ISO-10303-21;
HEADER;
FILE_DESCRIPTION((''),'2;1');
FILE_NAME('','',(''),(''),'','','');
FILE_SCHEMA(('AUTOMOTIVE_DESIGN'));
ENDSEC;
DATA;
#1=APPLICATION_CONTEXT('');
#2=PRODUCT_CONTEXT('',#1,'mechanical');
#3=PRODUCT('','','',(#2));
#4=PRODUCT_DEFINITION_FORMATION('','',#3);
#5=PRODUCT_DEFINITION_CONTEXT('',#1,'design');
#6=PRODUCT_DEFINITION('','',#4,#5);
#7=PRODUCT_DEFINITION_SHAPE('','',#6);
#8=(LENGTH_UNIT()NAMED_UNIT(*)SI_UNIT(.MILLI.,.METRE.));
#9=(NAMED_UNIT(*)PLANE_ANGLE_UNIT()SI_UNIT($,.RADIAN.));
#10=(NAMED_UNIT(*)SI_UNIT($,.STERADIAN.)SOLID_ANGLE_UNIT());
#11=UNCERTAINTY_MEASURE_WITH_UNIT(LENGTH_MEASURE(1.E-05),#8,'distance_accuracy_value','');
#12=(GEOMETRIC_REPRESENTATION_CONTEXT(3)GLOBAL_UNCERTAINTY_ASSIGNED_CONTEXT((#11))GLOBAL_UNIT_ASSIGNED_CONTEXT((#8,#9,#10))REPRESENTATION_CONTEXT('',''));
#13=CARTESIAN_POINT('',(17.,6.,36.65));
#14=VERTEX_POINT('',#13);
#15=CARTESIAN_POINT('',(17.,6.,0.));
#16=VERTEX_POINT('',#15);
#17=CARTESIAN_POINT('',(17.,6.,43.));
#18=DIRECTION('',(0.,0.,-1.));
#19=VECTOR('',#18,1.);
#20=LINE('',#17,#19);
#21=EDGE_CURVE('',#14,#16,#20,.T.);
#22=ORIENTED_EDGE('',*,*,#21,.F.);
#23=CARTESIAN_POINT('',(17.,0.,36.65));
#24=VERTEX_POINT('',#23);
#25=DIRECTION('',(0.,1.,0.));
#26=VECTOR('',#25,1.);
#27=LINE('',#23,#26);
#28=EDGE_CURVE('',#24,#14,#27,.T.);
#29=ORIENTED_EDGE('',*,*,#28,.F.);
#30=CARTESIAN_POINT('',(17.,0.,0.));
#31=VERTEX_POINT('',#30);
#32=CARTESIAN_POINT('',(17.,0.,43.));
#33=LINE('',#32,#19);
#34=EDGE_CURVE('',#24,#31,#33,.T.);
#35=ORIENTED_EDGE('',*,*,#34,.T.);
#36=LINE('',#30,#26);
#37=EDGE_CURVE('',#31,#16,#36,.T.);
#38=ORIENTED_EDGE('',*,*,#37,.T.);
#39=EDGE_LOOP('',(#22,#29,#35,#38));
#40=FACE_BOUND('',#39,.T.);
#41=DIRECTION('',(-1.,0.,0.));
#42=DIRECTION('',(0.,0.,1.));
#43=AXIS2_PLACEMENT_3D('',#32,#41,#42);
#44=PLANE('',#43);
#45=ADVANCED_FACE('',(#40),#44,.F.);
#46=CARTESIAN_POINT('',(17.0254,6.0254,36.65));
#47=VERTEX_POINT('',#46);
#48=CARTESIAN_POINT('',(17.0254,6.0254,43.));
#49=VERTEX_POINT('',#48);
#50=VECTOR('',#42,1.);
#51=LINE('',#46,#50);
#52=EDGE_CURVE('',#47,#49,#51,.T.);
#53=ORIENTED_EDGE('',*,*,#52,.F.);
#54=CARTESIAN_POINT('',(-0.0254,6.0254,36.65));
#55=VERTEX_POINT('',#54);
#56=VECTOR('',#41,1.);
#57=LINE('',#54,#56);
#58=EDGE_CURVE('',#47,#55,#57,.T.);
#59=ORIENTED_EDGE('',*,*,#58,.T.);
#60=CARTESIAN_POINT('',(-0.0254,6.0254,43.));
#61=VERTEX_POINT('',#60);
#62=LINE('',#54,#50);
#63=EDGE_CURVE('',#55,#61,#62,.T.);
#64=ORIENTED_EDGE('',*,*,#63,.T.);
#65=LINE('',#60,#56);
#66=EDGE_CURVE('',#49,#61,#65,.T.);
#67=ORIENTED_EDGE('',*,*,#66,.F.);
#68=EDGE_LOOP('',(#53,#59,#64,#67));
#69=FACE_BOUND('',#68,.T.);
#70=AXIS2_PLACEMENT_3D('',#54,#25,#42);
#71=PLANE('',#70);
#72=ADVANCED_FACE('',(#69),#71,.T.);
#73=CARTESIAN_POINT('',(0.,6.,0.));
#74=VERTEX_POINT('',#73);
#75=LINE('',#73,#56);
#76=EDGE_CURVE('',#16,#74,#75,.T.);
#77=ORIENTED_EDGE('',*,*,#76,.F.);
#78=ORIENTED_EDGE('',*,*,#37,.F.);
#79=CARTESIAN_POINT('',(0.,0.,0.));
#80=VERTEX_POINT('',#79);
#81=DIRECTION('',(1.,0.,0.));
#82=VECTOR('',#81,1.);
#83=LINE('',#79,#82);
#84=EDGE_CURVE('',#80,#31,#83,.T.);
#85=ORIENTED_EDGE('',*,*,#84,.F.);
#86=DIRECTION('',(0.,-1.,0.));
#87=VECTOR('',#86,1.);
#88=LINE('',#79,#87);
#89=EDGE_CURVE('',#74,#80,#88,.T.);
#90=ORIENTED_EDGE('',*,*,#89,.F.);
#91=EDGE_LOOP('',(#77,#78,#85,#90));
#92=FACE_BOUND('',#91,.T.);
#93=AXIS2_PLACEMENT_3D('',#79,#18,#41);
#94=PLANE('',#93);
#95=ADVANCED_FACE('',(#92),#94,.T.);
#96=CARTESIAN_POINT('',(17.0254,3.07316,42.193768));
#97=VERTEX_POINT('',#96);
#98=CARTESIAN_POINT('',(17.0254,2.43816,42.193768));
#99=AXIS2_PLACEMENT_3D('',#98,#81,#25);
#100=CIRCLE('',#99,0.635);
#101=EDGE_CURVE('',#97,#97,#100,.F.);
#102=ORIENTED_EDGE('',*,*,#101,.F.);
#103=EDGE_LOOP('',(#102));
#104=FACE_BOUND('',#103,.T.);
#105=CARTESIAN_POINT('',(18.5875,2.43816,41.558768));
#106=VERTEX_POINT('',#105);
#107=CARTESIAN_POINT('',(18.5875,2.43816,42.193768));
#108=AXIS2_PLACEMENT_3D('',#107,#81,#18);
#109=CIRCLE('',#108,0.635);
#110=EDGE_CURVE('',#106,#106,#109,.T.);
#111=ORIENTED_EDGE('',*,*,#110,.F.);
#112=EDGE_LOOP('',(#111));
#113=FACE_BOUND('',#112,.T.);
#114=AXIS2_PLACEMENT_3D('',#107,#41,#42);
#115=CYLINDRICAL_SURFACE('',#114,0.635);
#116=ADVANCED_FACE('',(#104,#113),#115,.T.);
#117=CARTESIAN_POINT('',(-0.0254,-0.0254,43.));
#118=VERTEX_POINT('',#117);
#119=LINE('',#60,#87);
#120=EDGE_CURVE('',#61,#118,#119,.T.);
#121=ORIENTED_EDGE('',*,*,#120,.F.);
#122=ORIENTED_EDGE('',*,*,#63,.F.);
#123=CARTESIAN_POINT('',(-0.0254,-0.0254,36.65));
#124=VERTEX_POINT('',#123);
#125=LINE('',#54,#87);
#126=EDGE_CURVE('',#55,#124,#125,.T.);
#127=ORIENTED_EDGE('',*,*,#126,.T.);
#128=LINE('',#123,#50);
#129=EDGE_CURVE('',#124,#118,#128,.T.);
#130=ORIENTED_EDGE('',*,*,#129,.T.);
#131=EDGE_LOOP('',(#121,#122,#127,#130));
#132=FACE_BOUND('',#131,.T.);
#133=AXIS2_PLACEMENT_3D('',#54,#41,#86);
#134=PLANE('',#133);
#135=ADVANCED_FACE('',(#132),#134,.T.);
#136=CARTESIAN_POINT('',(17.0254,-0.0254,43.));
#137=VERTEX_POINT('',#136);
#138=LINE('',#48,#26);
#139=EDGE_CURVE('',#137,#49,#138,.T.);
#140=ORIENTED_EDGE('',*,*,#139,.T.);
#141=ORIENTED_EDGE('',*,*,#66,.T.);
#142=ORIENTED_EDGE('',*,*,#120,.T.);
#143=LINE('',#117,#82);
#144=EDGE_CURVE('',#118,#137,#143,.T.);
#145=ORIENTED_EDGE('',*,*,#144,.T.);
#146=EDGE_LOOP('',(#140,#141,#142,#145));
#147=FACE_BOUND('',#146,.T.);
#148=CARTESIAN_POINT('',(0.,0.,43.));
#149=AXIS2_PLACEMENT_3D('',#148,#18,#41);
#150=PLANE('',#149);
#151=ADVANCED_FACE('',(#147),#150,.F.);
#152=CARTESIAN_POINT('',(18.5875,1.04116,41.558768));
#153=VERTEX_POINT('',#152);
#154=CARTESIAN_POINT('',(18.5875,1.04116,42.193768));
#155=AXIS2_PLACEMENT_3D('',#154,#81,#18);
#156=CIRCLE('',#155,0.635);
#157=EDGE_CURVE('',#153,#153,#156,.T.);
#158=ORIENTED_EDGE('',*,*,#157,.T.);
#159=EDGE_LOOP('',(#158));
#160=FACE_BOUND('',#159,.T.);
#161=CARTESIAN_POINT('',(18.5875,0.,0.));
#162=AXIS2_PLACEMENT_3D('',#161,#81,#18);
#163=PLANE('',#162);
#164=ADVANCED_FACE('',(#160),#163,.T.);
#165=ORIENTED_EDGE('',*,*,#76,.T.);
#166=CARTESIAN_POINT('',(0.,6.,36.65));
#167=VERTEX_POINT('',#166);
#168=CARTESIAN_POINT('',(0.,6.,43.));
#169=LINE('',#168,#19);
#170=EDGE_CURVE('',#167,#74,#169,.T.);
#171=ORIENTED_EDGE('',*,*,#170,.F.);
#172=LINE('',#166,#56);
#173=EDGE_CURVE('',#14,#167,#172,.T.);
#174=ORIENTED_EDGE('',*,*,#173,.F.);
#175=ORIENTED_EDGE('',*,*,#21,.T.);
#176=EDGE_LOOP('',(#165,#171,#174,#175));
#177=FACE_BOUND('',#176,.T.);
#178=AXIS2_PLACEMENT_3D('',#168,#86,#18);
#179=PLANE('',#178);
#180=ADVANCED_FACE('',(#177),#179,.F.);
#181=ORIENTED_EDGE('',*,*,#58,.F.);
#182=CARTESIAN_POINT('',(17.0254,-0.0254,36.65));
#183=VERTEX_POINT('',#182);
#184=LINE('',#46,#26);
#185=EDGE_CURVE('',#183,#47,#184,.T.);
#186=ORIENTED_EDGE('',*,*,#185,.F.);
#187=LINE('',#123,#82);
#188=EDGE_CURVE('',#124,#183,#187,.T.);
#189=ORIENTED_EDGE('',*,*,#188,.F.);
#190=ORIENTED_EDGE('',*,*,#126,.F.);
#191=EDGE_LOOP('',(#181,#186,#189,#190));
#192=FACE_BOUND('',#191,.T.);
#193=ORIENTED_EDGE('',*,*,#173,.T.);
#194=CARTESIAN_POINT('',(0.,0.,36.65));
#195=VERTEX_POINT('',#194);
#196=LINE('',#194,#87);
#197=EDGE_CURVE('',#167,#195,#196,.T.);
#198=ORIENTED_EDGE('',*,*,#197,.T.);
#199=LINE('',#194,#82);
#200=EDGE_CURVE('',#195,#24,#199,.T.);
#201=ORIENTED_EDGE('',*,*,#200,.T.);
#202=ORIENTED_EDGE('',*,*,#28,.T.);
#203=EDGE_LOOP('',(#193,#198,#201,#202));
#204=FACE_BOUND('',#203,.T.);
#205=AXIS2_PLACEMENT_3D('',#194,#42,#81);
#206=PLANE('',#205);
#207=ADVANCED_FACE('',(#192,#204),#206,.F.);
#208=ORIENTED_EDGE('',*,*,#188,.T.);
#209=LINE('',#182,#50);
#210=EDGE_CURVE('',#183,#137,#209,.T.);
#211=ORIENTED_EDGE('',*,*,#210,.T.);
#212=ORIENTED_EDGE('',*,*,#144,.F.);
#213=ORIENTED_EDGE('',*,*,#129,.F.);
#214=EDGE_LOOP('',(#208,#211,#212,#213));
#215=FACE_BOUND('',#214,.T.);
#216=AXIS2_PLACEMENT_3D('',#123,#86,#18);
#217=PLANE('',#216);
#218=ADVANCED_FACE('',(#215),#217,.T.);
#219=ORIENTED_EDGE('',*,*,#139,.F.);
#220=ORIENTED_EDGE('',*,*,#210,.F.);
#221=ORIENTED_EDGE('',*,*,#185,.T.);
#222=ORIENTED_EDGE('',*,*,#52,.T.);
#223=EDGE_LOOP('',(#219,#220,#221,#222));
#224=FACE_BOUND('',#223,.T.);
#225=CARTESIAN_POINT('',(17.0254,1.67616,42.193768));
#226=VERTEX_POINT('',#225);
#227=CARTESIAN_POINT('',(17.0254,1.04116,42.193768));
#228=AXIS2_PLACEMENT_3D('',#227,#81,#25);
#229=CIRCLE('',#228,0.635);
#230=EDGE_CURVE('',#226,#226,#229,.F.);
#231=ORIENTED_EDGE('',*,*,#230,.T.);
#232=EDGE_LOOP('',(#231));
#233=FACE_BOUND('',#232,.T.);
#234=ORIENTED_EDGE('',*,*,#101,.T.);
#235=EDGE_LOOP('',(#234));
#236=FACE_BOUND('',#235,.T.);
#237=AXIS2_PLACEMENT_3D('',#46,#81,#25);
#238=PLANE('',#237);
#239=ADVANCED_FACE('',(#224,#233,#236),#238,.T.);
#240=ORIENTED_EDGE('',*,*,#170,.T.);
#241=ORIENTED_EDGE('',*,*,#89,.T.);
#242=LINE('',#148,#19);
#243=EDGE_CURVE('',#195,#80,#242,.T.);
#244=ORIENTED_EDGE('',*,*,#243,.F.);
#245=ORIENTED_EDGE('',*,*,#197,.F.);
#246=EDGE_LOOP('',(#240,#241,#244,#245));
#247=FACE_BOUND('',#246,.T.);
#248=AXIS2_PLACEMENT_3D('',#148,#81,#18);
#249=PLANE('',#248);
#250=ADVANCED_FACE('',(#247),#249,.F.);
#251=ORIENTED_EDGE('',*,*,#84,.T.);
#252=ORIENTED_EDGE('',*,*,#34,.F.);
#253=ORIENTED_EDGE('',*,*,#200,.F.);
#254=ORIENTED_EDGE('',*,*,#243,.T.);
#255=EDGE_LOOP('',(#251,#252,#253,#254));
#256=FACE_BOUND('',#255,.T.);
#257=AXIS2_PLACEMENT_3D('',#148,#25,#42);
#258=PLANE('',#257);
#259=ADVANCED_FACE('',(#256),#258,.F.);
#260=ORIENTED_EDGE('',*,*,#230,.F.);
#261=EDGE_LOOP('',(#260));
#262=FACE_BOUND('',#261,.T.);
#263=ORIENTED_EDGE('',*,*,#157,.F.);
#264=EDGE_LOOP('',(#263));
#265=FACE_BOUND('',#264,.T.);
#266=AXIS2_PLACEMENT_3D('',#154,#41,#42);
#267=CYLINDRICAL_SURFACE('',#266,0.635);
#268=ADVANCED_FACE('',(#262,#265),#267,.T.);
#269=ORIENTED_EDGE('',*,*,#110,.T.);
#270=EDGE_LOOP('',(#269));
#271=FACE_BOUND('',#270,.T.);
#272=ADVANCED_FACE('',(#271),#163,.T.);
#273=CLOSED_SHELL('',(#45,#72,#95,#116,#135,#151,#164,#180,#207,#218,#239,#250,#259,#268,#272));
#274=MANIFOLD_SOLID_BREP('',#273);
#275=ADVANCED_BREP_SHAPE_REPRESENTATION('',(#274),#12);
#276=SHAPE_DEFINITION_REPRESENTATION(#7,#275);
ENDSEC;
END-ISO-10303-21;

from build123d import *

# Parameters (mm, degrees)
SKETCH1_W           = 17
SKETCH1_H           = 6
BOSS_EXTRUDE1_DEPTH = 43
SKETCH3_W           = 17.0508
SKETCH3_H           = 6.0508
BOSS_EXTRUDE2_DEPTH = 6.35
SKETCH4_R           = 0.635
BOSS_EXTRUDE4_DEPTH = 1.5875


with BuildPart() as part:
    # Sketch1 → Boss-Extrude1 (new body)
    with BuildSketch(Plane.XY):
        with Locations((8.5, 3)):
            Rectangle(SKETCH1_W, SKETCH1_H)
    extrude(amount=BOSS_EXTRUDE1_DEPTH)

    # Sketch3 → Boss-Extrude2 (add)
    with BuildSketch(Plane.XY.offset(43)):
        with Locations((8.5, 3)):
            Rectangle(SKETCH3_W, SKETCH3_H)
    extrude(amount=-BOSS_EXTRUDE2_DEPTH)

    # Sketch4 → Boss-Extrude4 (add)
    with BuildSketch(Plane(origin=(17, 0, 0), x_dir=(0, 0, -1), z_dir=(1, 0, 0))):
        with Locations(Location((-42.193767819, 1.041160234, 0), (0, 0, 90))):
            Circle(SKETCH4_R)
        with Locations(Location((-42.193767819, 2.438160234, 0), (0, 0, 90))):
            Circle(SKETCH4_R)
    extrude(amount=BOSS_EXTRUDE4_DEPTH)


solid = part.part
